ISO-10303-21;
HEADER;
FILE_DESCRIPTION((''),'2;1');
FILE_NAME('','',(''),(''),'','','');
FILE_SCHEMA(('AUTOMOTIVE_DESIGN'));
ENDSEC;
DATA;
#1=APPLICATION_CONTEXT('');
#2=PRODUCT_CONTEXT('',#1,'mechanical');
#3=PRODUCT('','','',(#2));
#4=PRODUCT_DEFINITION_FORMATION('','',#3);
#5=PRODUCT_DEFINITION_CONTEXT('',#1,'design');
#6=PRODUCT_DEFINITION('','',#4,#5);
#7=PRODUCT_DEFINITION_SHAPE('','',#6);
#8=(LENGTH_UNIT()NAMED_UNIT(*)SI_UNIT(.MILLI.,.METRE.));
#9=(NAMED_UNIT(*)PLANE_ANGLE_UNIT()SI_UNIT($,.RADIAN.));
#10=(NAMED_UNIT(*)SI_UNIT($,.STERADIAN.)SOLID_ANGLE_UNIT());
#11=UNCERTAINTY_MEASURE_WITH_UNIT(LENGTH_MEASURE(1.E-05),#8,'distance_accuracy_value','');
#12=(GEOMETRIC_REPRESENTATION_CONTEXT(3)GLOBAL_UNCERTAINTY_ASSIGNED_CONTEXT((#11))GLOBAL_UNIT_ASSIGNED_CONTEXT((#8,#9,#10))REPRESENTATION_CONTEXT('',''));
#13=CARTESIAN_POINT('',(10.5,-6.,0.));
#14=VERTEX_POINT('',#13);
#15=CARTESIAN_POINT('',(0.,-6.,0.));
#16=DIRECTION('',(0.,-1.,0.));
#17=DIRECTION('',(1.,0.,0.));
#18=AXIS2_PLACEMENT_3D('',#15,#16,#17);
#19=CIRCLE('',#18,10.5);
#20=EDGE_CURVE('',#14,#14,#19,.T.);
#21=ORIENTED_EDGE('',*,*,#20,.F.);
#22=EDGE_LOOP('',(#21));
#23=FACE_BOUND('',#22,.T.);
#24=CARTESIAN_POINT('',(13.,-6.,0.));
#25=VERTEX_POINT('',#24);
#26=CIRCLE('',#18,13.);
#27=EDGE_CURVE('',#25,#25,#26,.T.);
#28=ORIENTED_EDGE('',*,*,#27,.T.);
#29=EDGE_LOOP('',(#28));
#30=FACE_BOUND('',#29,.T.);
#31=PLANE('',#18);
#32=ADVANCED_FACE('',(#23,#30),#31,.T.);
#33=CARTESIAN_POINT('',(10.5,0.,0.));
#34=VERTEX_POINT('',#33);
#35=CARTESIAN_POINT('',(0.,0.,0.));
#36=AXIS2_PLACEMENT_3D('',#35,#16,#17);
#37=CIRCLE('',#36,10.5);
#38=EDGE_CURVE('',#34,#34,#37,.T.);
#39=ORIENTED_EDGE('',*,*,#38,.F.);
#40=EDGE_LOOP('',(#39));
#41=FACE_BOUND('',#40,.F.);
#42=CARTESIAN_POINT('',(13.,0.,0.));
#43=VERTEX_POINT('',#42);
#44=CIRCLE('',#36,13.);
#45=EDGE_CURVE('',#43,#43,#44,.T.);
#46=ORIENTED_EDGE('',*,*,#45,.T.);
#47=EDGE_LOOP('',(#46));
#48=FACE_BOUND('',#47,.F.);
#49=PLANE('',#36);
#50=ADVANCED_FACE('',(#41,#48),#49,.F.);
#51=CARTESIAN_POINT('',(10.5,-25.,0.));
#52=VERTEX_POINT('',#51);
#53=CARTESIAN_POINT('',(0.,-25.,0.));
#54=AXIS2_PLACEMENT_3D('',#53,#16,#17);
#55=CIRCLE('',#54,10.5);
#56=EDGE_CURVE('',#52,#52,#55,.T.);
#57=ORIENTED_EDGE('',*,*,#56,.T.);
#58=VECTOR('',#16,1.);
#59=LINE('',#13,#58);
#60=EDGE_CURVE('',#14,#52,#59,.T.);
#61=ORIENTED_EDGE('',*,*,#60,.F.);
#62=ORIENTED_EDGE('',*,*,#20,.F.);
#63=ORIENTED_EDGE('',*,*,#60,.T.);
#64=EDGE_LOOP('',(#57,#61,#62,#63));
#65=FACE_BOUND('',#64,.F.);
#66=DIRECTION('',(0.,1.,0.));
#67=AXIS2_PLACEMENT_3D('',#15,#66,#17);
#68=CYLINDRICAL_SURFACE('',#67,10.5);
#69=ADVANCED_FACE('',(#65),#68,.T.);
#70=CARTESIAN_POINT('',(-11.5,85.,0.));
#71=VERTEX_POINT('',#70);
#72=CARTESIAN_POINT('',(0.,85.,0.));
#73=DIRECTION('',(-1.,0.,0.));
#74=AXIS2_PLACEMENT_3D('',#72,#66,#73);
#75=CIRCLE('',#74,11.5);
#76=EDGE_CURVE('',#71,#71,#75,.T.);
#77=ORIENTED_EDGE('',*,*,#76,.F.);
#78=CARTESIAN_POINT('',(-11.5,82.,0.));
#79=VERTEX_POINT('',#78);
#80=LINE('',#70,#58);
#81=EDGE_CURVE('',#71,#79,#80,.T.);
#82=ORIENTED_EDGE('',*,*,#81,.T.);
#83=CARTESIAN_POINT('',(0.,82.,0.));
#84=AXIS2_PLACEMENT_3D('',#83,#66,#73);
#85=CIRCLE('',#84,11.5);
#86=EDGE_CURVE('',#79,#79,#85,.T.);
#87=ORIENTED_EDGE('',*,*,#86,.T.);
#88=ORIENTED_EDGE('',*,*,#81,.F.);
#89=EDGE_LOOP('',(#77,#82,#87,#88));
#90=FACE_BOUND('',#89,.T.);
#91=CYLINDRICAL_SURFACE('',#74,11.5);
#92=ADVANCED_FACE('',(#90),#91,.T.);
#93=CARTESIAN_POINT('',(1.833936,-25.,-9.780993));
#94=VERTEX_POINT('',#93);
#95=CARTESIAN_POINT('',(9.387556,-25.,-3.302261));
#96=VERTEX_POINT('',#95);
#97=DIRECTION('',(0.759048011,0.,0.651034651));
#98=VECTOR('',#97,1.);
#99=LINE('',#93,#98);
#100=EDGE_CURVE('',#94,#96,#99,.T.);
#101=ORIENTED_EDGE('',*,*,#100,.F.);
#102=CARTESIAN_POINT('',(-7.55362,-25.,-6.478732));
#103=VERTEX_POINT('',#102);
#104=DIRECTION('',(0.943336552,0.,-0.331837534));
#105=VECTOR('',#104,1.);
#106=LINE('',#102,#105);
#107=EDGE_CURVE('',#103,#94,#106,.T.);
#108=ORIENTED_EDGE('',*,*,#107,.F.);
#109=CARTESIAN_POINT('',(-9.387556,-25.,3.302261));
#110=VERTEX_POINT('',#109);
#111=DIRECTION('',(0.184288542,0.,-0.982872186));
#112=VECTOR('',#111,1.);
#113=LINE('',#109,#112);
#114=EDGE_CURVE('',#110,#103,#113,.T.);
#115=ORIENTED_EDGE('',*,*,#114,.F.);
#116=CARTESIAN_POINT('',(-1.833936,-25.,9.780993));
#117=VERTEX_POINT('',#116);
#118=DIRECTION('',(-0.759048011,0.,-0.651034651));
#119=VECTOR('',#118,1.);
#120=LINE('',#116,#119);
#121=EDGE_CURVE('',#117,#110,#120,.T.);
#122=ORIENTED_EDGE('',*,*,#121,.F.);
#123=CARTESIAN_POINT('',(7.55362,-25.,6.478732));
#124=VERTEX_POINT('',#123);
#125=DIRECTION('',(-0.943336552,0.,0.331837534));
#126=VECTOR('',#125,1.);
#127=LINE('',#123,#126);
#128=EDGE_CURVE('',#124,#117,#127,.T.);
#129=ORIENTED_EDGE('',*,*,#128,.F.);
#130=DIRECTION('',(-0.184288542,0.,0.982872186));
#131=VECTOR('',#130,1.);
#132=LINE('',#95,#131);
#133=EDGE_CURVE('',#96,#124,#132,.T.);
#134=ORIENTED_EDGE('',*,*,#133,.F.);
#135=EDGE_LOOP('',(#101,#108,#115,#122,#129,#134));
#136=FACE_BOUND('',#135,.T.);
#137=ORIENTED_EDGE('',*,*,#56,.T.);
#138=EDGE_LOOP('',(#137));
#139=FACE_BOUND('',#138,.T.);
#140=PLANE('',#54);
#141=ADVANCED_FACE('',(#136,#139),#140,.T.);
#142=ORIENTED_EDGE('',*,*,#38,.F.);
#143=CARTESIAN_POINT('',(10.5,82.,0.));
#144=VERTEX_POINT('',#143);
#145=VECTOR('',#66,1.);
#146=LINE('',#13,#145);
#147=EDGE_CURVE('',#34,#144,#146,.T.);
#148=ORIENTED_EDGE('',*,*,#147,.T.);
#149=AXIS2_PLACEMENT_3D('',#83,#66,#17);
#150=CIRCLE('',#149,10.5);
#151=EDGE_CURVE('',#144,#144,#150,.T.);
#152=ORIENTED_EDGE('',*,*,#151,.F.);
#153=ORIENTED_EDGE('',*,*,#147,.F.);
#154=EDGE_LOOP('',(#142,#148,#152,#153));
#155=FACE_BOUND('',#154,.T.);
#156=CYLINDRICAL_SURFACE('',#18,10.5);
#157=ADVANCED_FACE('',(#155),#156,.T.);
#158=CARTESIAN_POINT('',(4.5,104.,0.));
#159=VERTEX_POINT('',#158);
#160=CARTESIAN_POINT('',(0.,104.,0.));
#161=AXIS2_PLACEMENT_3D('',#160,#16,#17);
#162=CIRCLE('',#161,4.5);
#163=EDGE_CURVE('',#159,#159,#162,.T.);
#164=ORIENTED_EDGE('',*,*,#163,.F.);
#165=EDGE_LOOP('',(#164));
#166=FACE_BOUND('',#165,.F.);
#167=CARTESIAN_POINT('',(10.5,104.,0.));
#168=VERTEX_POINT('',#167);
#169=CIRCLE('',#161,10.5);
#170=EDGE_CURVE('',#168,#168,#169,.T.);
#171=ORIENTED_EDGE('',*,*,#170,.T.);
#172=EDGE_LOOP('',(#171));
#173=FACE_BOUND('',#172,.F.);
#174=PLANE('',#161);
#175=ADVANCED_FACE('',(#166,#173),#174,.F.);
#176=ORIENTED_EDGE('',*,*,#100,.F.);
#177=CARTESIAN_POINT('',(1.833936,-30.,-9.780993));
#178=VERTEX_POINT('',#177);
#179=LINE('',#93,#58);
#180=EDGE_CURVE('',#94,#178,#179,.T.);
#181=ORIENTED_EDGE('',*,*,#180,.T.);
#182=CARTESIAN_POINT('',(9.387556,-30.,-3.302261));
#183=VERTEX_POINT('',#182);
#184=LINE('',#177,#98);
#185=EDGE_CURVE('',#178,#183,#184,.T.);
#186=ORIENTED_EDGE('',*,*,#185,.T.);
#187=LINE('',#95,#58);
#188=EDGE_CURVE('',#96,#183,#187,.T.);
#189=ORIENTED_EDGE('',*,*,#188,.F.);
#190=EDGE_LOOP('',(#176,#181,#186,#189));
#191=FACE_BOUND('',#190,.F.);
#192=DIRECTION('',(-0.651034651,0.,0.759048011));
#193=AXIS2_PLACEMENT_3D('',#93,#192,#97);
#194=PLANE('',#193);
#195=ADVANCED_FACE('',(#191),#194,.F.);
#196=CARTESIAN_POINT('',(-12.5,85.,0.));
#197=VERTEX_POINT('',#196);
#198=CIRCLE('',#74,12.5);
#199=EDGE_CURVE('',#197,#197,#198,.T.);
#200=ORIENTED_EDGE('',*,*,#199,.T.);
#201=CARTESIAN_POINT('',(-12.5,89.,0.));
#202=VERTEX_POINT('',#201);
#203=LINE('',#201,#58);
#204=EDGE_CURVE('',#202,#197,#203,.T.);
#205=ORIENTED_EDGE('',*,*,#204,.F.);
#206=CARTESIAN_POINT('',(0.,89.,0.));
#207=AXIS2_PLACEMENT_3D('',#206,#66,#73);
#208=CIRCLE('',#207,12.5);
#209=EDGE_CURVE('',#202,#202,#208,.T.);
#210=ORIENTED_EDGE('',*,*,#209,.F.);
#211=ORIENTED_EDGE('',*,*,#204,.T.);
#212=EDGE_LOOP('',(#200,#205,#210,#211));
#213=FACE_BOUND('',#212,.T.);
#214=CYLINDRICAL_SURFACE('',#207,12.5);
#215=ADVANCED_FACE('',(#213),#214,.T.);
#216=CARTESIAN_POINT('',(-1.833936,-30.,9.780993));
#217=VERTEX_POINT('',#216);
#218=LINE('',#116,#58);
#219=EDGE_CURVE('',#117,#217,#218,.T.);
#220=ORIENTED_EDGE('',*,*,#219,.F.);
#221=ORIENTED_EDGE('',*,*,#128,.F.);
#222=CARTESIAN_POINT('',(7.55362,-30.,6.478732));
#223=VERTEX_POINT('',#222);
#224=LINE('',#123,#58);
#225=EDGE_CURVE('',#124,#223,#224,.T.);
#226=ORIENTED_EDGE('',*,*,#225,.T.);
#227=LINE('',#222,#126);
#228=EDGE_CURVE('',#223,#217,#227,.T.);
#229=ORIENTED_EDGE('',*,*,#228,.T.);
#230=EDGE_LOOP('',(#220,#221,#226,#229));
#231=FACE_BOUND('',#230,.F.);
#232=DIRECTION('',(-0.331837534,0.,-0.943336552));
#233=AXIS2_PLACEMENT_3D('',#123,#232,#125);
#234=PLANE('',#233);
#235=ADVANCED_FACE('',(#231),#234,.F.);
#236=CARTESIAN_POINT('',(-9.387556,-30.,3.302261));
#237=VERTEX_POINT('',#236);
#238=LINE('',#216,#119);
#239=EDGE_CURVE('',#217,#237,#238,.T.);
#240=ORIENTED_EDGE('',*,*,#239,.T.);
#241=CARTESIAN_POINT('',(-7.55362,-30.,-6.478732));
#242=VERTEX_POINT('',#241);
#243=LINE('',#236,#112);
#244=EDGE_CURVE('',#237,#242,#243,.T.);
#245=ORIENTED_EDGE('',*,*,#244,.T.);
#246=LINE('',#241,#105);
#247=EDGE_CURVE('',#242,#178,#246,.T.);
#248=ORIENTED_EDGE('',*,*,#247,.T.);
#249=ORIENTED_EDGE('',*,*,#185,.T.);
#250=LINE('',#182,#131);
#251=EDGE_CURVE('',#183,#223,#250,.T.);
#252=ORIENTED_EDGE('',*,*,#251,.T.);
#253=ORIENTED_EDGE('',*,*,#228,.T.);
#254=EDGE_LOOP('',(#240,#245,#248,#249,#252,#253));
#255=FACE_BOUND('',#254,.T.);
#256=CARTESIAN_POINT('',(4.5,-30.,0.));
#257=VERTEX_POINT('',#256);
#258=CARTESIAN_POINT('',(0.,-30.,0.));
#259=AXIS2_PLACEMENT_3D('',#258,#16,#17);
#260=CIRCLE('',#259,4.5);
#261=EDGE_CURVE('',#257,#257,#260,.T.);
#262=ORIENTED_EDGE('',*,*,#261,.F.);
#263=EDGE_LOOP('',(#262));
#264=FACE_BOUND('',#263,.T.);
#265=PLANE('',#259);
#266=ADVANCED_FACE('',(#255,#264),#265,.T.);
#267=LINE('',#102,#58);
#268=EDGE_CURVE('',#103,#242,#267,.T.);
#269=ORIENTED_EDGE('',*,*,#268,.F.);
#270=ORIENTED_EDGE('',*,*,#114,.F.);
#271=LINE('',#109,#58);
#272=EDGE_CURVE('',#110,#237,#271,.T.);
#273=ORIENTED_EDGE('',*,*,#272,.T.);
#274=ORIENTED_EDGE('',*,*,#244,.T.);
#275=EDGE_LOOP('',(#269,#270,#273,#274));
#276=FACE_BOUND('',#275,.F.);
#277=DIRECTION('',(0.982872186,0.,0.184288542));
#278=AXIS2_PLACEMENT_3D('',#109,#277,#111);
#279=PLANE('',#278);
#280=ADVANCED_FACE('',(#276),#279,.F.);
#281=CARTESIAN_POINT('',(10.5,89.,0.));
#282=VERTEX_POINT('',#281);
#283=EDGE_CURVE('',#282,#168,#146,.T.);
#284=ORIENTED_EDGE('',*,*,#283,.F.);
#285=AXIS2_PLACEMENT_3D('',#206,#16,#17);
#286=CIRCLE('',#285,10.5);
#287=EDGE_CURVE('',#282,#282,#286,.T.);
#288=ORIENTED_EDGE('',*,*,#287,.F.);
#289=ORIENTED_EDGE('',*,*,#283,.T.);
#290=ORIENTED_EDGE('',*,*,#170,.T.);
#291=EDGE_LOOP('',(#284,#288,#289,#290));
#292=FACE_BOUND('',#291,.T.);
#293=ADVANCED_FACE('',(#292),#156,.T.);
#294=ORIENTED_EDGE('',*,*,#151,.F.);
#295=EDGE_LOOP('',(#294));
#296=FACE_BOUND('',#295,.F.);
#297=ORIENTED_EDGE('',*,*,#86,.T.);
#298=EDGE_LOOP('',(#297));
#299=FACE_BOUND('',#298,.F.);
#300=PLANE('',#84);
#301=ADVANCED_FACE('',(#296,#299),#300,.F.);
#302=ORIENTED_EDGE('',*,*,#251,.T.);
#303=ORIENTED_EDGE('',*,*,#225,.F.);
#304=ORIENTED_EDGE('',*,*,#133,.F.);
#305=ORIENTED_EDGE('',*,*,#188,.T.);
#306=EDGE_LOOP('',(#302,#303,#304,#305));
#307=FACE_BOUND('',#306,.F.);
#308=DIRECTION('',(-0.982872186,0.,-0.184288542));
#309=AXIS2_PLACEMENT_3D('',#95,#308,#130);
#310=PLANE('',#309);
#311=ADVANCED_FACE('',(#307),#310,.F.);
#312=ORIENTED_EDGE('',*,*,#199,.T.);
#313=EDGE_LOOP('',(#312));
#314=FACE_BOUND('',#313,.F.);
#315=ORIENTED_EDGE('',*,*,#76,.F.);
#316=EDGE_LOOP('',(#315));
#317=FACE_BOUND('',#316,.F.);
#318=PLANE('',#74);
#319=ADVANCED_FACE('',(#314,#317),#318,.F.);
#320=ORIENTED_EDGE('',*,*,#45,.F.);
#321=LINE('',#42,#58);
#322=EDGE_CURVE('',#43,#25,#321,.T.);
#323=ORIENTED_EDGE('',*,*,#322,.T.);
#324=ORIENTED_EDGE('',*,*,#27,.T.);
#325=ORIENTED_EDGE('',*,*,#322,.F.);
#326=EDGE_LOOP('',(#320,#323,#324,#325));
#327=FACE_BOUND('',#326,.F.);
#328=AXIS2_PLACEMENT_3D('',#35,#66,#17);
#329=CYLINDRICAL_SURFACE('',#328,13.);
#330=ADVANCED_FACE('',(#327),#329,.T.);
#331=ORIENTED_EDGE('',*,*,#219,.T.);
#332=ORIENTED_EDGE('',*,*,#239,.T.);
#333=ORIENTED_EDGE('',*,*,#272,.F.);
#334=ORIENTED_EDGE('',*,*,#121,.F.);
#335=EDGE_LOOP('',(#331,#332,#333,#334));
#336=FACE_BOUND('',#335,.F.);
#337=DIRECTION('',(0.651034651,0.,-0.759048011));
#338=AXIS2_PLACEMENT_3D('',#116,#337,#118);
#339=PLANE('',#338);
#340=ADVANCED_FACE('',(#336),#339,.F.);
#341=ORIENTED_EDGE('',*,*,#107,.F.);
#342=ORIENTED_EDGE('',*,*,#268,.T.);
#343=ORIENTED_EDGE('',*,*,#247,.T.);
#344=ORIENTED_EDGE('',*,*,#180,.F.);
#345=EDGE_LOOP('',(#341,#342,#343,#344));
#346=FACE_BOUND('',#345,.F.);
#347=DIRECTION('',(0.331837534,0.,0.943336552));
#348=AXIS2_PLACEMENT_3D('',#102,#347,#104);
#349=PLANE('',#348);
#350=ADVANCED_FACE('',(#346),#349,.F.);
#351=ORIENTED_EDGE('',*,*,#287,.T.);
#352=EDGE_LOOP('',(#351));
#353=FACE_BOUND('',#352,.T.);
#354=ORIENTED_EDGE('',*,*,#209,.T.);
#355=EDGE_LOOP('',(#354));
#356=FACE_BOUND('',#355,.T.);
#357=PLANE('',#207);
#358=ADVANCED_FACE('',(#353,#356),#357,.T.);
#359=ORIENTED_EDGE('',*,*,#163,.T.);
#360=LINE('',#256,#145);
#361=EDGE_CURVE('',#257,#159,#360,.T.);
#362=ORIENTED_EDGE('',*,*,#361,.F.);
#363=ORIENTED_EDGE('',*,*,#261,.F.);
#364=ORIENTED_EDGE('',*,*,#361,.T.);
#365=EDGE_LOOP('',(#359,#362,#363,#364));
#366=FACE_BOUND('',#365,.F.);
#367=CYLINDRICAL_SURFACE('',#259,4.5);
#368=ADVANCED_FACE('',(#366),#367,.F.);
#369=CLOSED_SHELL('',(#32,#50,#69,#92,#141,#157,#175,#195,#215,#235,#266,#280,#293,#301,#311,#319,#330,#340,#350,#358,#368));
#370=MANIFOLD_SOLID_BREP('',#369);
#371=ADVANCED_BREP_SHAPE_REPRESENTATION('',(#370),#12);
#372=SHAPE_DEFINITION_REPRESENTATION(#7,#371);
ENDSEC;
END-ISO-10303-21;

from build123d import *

# Parameters (mm, degrees)
F0_R          = 13
F1_DEPTH      = 6
F2_R          = 10.5
F3_DEPTH      = 19
F3_DEPTH_BACK = 110
F6_START      = -19
F5_R          = 11.5
F5_R_2        = 10.5
F6_DEPTH      = 3
F8_START      = -15
F7_R          = 12.5
F7_R_2        = 10.5
F8_DEPTH      = 4
F10_DEPTH     = 5
F11_R         = 4.5
F12_DEPTH     = 153


with BuildPart() as f1:
    # F0 (on Front) → F1 (new body)
    with BuildSketch(Plane.XZ):
        Circle(F0_R)
    extrude(amount=F1_DEPTH)

    # F2 (on face) → F3 (join, two sides)
    with BuildSketch(Plane.XZ.offset(6)) as f3_sk:
        Circle(F2_R)
    extrude(amount=F3_DEPTH)
    extrude(f3_sk.sketch, amount=-F3_DEPTH_BACK)

    # F5 (on face) → F6 (join)
    with BuildSketch(Plane(origin=(0, 104, 0), x_dir=(-1, 0, 0), z_dir=(0, 1, 0)).offset(F6_START)):
        Circle(F5_R)
        Circle(F5_R_2, mode=Mode.SUBTRACT)
    extrude(amount=-F6_DEPTH)

    # F7 (on face) → F8 (join)
    with BuildSketch(Plane(origin=(0, 104, 0), x_dir=(-1, 0, 0), z_dir=(0, 1, 0)).offset(F8_START)):
        Circle(F7_R)
        Circle(F7_R_2, mode=Mode.SUBTRACT)
    extrude(amount=-F8_DEPTH)

    # F9 (on face) → F10 (join)
    with BuildSketch(Plane.XZ.offset(25)):
        Polygon((9.3875564858, -3.3022610956), (7.5536202416, 6.4787318484), (-1.8339362442, 9.780992944), (-9.3875564858, 3.3022610956), (-7.5536202416, -6.4787318484), (1.8339362442, -9.780992944), align=None)
    extrude(amount=F10_DEPTH)

    # F11 (on face) → F12 (cut)
    with BuildSketch(Plane.XZ.offset(30)):
        Circle(F11_R)
    extrude(amount=-F12_DEPTH, mode=Mode.SUBTRACT)


solid = f1.part
